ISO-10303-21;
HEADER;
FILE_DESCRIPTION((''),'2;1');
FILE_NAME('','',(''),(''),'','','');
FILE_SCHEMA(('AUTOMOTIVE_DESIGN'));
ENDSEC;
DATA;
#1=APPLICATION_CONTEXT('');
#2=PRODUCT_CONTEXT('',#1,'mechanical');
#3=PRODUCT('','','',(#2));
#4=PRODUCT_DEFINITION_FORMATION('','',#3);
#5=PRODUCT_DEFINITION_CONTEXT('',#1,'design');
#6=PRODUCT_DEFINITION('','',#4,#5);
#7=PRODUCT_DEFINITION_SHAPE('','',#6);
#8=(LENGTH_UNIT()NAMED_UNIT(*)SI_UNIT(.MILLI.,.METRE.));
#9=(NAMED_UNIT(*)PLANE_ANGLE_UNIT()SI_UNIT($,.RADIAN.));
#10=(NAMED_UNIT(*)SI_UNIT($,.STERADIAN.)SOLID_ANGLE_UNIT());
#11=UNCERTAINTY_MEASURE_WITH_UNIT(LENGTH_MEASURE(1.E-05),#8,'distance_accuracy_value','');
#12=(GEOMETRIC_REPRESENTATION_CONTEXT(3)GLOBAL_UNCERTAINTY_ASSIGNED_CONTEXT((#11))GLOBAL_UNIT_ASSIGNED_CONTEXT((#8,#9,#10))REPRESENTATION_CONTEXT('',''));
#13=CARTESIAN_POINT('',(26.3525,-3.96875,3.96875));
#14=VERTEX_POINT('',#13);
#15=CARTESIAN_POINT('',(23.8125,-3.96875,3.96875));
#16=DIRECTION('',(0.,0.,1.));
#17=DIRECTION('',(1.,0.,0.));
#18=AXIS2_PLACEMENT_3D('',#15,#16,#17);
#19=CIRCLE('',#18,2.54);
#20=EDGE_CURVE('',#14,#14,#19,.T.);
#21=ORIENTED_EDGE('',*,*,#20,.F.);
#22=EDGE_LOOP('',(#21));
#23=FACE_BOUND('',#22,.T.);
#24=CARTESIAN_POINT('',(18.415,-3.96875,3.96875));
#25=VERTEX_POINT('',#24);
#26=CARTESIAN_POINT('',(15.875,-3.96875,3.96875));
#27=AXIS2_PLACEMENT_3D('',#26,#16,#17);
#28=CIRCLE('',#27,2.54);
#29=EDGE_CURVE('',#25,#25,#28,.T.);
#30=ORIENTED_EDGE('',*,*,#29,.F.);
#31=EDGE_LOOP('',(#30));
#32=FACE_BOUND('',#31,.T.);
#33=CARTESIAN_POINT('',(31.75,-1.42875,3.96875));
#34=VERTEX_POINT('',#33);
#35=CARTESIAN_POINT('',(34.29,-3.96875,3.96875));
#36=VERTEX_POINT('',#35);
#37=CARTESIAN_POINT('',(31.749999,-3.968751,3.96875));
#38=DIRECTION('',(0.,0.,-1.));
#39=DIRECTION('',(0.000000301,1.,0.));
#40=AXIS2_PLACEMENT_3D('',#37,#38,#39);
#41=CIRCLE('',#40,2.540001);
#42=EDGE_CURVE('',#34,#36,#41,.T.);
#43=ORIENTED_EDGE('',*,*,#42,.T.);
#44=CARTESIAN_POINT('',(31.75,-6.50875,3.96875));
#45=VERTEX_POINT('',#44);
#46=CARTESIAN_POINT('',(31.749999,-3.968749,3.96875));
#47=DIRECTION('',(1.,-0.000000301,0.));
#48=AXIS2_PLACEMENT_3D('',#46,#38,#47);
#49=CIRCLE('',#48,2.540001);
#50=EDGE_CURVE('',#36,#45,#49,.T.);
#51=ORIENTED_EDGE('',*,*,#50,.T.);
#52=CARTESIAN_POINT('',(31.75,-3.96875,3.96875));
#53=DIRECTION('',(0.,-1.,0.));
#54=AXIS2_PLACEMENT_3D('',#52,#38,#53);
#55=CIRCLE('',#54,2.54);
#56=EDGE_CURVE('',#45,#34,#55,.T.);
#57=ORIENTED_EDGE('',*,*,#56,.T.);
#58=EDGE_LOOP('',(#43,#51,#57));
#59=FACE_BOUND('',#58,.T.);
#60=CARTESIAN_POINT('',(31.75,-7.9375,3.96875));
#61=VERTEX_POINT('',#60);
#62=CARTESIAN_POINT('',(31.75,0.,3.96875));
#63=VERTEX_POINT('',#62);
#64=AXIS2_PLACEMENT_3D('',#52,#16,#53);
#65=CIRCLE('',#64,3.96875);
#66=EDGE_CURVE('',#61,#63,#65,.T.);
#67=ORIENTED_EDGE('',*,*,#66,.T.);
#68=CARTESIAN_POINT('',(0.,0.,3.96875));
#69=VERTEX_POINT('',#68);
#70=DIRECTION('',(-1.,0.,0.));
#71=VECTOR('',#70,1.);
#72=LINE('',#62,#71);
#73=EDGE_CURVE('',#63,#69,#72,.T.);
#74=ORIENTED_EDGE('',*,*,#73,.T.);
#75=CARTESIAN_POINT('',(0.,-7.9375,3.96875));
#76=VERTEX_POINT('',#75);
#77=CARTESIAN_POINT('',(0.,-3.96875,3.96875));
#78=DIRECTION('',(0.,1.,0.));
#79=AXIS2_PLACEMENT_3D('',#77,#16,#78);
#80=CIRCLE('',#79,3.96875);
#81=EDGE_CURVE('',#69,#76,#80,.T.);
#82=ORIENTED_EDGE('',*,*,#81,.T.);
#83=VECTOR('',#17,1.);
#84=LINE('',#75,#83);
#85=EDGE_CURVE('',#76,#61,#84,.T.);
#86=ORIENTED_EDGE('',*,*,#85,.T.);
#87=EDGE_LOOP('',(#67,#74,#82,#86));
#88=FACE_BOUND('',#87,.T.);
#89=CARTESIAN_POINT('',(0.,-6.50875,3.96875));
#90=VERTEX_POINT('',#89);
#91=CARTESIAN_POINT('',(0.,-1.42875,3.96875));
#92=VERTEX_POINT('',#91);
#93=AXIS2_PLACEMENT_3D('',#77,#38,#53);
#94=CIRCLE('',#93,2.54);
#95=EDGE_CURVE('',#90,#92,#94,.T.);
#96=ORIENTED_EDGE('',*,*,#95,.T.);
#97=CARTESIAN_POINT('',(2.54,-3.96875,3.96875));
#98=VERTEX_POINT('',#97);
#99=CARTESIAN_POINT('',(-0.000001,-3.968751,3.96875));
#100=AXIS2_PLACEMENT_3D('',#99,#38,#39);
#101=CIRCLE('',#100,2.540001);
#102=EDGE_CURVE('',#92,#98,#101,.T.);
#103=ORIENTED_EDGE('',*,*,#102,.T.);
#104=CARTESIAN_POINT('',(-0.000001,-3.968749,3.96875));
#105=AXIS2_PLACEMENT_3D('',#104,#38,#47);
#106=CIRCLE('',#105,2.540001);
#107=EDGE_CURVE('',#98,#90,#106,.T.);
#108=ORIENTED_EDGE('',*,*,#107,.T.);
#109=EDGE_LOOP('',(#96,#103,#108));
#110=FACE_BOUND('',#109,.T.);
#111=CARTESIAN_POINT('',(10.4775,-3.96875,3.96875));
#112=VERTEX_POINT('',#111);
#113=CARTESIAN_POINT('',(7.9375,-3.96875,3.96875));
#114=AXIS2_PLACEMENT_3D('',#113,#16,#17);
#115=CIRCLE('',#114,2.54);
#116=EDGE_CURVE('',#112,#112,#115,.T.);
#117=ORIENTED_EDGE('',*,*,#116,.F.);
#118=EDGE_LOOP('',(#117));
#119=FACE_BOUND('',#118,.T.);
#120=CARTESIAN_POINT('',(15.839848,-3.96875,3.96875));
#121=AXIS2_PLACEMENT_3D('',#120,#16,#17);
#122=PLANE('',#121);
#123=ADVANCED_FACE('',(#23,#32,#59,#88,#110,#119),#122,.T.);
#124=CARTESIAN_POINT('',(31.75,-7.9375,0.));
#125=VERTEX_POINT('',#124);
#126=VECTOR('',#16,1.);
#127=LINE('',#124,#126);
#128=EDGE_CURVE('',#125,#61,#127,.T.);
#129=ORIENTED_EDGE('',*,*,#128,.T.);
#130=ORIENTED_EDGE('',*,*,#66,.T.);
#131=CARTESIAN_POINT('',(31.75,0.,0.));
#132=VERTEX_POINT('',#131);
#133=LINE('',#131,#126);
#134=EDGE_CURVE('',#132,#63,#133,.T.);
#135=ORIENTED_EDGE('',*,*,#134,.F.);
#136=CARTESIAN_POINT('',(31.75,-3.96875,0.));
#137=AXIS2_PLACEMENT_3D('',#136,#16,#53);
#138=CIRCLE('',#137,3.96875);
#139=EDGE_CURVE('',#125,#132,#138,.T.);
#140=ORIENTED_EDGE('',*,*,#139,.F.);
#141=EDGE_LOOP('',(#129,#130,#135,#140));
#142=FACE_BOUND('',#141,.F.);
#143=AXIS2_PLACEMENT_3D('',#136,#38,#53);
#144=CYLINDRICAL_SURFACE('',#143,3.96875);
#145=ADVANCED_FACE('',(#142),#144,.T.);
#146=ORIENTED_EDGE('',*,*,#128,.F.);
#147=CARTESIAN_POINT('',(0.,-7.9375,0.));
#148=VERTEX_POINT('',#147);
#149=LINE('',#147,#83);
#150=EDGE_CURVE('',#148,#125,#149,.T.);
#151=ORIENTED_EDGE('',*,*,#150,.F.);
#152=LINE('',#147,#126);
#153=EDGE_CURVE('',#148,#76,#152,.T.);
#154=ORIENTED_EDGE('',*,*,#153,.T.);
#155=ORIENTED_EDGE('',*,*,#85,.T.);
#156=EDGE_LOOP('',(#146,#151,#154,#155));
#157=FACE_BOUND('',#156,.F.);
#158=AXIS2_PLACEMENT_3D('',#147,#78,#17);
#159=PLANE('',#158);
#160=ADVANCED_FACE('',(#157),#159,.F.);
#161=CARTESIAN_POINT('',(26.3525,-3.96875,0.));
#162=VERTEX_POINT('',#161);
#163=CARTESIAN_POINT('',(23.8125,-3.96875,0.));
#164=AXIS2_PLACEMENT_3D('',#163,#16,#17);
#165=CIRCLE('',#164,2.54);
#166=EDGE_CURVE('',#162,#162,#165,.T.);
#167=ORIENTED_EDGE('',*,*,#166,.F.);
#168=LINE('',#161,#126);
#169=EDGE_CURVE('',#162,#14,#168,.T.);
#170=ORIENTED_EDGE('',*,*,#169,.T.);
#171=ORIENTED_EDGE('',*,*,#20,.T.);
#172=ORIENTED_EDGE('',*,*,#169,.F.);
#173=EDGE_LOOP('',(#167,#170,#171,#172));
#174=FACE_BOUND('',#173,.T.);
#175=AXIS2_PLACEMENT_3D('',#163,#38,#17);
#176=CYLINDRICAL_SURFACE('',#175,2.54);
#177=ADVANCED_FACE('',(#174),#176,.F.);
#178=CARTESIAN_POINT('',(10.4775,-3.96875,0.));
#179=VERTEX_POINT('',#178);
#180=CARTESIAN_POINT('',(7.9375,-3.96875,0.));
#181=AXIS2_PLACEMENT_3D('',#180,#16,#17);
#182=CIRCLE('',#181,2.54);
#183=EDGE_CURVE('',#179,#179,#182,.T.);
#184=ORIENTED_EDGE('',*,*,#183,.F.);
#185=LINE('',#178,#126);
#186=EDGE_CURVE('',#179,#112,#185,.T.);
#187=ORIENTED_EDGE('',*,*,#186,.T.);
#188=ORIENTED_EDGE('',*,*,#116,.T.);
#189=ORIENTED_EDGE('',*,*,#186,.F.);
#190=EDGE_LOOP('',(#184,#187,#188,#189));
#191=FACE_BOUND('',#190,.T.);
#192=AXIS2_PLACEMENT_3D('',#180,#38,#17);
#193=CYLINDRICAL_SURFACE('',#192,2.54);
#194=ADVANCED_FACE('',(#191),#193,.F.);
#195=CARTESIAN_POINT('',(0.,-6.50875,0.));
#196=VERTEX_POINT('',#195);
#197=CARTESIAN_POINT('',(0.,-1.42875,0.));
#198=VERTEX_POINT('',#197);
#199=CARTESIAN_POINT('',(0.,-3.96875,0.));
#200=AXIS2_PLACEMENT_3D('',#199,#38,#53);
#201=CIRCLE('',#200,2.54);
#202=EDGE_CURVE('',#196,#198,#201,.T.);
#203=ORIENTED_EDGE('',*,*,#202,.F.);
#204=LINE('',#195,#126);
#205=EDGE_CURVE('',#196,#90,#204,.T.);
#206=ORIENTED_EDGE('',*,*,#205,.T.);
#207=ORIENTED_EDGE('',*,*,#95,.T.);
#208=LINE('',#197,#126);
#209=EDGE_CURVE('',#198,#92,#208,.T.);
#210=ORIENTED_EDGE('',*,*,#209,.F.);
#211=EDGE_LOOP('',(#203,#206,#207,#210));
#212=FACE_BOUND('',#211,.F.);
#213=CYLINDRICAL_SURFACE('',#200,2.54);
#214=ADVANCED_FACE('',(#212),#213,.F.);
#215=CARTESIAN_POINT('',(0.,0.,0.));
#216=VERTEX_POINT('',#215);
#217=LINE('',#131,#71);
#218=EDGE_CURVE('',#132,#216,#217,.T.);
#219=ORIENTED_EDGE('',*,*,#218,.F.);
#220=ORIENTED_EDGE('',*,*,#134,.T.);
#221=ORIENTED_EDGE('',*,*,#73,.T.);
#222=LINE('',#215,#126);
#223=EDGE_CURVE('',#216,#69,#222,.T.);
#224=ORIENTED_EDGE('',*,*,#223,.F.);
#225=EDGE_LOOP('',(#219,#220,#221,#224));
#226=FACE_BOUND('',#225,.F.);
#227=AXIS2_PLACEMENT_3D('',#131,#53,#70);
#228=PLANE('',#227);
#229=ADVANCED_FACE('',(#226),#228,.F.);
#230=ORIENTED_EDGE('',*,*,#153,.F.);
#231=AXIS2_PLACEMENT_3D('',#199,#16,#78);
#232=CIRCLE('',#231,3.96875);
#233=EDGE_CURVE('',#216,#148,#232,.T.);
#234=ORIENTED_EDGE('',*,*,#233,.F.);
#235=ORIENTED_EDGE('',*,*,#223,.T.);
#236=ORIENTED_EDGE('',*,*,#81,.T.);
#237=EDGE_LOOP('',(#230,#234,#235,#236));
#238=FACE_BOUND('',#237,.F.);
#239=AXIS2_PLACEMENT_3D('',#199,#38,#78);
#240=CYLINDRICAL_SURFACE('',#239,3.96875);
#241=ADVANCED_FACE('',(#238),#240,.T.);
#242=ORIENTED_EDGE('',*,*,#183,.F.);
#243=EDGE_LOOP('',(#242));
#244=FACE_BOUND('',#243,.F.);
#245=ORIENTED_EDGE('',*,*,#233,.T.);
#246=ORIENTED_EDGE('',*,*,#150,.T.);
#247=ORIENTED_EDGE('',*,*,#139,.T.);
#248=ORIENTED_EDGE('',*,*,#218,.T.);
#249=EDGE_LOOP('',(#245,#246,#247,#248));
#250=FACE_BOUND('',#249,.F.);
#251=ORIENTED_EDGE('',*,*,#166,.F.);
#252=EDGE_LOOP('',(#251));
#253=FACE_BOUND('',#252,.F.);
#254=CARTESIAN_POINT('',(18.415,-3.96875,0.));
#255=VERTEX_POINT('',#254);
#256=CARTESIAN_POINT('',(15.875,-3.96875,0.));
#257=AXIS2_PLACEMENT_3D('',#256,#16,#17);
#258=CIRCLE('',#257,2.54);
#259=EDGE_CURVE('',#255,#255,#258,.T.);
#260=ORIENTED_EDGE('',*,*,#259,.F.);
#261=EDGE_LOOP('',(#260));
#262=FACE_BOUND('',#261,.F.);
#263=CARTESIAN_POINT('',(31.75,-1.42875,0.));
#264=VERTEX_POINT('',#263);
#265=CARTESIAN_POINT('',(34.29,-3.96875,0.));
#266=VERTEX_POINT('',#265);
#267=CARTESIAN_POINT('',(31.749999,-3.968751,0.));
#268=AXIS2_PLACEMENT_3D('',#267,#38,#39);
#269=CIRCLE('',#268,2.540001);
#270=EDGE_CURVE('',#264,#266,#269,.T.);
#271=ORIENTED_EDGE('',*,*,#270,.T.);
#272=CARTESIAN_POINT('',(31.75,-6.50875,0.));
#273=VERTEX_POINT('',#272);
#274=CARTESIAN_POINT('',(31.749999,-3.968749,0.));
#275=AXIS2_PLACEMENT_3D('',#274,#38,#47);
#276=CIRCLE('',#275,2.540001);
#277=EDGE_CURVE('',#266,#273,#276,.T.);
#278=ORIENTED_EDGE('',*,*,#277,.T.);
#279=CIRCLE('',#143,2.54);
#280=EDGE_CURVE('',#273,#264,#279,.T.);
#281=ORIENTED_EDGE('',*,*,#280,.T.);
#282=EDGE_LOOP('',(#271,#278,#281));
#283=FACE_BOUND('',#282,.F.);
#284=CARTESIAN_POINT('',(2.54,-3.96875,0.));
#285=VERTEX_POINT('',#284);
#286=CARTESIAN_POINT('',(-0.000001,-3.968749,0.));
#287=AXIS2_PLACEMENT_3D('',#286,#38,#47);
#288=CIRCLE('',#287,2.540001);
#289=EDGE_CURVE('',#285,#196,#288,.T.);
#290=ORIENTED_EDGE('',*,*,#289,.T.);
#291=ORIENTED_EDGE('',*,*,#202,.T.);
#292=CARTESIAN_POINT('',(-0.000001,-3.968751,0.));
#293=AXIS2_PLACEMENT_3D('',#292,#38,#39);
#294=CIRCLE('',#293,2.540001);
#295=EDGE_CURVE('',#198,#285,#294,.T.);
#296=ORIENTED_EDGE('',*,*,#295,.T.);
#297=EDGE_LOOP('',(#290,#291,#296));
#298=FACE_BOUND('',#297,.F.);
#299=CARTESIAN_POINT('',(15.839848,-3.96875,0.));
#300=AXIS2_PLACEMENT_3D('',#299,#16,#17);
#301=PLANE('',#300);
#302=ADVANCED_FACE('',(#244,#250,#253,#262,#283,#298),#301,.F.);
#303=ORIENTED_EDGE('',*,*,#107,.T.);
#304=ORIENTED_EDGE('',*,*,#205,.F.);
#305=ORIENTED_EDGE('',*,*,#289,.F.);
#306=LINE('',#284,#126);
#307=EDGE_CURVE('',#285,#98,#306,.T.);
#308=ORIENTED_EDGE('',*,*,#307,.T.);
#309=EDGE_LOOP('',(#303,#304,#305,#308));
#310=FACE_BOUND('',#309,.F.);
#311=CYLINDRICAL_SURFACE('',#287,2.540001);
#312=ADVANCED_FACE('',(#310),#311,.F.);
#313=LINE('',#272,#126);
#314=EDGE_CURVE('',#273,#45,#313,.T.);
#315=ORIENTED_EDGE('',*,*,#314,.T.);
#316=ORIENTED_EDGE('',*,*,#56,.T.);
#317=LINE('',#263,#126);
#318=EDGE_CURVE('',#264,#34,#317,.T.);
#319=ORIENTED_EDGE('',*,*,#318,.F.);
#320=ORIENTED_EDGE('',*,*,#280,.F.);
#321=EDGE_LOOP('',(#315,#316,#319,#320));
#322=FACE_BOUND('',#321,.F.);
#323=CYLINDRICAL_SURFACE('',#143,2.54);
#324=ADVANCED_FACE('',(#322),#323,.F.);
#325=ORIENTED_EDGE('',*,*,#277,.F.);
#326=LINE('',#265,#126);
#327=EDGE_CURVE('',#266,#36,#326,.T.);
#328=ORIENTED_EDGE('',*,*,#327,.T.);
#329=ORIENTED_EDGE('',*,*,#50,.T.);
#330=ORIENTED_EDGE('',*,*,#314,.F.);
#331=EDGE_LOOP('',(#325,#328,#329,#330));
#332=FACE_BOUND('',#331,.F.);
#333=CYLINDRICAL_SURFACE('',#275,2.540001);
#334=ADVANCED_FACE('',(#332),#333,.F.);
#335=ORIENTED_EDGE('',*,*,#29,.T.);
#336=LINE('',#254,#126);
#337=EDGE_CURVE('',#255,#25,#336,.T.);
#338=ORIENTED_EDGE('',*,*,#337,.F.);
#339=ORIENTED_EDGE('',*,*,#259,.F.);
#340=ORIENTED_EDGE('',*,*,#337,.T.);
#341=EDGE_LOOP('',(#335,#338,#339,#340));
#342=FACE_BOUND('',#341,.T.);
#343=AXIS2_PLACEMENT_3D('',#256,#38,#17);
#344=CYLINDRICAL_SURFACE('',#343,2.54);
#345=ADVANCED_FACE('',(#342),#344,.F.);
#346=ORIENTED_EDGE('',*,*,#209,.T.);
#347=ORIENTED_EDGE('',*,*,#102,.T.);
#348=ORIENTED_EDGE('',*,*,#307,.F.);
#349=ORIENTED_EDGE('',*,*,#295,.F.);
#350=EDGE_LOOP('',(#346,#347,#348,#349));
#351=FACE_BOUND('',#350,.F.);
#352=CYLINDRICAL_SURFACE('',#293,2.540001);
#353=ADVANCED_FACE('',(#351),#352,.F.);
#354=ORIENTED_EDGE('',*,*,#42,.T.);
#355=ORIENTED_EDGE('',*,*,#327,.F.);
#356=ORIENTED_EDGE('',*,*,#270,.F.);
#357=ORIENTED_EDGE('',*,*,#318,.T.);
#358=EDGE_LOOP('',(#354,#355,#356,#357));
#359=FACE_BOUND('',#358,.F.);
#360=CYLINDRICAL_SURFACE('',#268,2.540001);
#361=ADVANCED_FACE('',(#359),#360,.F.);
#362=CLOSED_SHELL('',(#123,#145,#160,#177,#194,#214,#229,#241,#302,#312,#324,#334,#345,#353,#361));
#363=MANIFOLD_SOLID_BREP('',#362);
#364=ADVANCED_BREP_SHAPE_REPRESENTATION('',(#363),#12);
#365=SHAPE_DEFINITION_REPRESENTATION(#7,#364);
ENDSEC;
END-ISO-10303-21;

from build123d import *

# Parameters (mm, degrees)
F0_R     = 2.54
F1_DEPTH = 3.96875


with BuildPart() as f1:
    # F0 (on Top) → F1 (new body)
    with BuildSketch(Plane.XY):
        with BuildLine():
            Line((31.75, 0), (0, 0))
            Line((0, 0), (0, -1.42875))
            ThreePointArc((0, -1.42875), (1.796051, -2.172699), (2.54, -3.96875))
            ThreePointArc((2.54, -3.96875), (1.796051, -5.764801), (0, -6.50875))
            Line((0, -6.50875), (0, -7.9375))
            Line((0, -7.9375), (31.75, -7.9375))
            Line((31.75, -7.9375), (31.75, -6.50875))
            ThreePointArc((31.75, -6.50875), (29.21, -3.96875), (31.75, -1.42875))
            Line((31.75, -1.42875), (31.75, 0))
        make_face()
        with Locations((7.9375, -3.96875)):
            Circle(F0_R, mode=Mode.SUBTRACT)
        with Locations((15.875, -3.96875)):
            Circle(F0_R, mode=Mode.SUBTRACT)
        with Locations((23.8125, -3.96875)):
            Circle(F0_R, mode=Mode.SUBTRACT)
        with BuildLine():
            Line((0, -1.42875), (0, 0))
            ThreePointArc((0, 0), (-3.96875, -3.96875), (0, -7.9375))
            Line((0, -7.9375), (0, -6.50875))
            ThreePointArc((0, -6.50875), (-2.54, -3.96875), (0, -1.42875))
        make_face()
        with BuildLine():
            ThreePointArc((31.75, -7.9375), (35.71875, -3.96875), (31.75, 0))
            Line((31.75, 0), (31.75, -1.42875))
            ThreePointArc((31.75, -1.42875), (33.546051, -2.172699), (34.29, -3.96875))
            ThreePointArc((34.29, -3.96875), (33.546051, -5.764801), (31.75, -6.50875))
            Line((31.75, -6.50875), (31.75, -7.9375))
        make_face()
    extrude(amount=F1_DEPTH)


solid = f1.part
